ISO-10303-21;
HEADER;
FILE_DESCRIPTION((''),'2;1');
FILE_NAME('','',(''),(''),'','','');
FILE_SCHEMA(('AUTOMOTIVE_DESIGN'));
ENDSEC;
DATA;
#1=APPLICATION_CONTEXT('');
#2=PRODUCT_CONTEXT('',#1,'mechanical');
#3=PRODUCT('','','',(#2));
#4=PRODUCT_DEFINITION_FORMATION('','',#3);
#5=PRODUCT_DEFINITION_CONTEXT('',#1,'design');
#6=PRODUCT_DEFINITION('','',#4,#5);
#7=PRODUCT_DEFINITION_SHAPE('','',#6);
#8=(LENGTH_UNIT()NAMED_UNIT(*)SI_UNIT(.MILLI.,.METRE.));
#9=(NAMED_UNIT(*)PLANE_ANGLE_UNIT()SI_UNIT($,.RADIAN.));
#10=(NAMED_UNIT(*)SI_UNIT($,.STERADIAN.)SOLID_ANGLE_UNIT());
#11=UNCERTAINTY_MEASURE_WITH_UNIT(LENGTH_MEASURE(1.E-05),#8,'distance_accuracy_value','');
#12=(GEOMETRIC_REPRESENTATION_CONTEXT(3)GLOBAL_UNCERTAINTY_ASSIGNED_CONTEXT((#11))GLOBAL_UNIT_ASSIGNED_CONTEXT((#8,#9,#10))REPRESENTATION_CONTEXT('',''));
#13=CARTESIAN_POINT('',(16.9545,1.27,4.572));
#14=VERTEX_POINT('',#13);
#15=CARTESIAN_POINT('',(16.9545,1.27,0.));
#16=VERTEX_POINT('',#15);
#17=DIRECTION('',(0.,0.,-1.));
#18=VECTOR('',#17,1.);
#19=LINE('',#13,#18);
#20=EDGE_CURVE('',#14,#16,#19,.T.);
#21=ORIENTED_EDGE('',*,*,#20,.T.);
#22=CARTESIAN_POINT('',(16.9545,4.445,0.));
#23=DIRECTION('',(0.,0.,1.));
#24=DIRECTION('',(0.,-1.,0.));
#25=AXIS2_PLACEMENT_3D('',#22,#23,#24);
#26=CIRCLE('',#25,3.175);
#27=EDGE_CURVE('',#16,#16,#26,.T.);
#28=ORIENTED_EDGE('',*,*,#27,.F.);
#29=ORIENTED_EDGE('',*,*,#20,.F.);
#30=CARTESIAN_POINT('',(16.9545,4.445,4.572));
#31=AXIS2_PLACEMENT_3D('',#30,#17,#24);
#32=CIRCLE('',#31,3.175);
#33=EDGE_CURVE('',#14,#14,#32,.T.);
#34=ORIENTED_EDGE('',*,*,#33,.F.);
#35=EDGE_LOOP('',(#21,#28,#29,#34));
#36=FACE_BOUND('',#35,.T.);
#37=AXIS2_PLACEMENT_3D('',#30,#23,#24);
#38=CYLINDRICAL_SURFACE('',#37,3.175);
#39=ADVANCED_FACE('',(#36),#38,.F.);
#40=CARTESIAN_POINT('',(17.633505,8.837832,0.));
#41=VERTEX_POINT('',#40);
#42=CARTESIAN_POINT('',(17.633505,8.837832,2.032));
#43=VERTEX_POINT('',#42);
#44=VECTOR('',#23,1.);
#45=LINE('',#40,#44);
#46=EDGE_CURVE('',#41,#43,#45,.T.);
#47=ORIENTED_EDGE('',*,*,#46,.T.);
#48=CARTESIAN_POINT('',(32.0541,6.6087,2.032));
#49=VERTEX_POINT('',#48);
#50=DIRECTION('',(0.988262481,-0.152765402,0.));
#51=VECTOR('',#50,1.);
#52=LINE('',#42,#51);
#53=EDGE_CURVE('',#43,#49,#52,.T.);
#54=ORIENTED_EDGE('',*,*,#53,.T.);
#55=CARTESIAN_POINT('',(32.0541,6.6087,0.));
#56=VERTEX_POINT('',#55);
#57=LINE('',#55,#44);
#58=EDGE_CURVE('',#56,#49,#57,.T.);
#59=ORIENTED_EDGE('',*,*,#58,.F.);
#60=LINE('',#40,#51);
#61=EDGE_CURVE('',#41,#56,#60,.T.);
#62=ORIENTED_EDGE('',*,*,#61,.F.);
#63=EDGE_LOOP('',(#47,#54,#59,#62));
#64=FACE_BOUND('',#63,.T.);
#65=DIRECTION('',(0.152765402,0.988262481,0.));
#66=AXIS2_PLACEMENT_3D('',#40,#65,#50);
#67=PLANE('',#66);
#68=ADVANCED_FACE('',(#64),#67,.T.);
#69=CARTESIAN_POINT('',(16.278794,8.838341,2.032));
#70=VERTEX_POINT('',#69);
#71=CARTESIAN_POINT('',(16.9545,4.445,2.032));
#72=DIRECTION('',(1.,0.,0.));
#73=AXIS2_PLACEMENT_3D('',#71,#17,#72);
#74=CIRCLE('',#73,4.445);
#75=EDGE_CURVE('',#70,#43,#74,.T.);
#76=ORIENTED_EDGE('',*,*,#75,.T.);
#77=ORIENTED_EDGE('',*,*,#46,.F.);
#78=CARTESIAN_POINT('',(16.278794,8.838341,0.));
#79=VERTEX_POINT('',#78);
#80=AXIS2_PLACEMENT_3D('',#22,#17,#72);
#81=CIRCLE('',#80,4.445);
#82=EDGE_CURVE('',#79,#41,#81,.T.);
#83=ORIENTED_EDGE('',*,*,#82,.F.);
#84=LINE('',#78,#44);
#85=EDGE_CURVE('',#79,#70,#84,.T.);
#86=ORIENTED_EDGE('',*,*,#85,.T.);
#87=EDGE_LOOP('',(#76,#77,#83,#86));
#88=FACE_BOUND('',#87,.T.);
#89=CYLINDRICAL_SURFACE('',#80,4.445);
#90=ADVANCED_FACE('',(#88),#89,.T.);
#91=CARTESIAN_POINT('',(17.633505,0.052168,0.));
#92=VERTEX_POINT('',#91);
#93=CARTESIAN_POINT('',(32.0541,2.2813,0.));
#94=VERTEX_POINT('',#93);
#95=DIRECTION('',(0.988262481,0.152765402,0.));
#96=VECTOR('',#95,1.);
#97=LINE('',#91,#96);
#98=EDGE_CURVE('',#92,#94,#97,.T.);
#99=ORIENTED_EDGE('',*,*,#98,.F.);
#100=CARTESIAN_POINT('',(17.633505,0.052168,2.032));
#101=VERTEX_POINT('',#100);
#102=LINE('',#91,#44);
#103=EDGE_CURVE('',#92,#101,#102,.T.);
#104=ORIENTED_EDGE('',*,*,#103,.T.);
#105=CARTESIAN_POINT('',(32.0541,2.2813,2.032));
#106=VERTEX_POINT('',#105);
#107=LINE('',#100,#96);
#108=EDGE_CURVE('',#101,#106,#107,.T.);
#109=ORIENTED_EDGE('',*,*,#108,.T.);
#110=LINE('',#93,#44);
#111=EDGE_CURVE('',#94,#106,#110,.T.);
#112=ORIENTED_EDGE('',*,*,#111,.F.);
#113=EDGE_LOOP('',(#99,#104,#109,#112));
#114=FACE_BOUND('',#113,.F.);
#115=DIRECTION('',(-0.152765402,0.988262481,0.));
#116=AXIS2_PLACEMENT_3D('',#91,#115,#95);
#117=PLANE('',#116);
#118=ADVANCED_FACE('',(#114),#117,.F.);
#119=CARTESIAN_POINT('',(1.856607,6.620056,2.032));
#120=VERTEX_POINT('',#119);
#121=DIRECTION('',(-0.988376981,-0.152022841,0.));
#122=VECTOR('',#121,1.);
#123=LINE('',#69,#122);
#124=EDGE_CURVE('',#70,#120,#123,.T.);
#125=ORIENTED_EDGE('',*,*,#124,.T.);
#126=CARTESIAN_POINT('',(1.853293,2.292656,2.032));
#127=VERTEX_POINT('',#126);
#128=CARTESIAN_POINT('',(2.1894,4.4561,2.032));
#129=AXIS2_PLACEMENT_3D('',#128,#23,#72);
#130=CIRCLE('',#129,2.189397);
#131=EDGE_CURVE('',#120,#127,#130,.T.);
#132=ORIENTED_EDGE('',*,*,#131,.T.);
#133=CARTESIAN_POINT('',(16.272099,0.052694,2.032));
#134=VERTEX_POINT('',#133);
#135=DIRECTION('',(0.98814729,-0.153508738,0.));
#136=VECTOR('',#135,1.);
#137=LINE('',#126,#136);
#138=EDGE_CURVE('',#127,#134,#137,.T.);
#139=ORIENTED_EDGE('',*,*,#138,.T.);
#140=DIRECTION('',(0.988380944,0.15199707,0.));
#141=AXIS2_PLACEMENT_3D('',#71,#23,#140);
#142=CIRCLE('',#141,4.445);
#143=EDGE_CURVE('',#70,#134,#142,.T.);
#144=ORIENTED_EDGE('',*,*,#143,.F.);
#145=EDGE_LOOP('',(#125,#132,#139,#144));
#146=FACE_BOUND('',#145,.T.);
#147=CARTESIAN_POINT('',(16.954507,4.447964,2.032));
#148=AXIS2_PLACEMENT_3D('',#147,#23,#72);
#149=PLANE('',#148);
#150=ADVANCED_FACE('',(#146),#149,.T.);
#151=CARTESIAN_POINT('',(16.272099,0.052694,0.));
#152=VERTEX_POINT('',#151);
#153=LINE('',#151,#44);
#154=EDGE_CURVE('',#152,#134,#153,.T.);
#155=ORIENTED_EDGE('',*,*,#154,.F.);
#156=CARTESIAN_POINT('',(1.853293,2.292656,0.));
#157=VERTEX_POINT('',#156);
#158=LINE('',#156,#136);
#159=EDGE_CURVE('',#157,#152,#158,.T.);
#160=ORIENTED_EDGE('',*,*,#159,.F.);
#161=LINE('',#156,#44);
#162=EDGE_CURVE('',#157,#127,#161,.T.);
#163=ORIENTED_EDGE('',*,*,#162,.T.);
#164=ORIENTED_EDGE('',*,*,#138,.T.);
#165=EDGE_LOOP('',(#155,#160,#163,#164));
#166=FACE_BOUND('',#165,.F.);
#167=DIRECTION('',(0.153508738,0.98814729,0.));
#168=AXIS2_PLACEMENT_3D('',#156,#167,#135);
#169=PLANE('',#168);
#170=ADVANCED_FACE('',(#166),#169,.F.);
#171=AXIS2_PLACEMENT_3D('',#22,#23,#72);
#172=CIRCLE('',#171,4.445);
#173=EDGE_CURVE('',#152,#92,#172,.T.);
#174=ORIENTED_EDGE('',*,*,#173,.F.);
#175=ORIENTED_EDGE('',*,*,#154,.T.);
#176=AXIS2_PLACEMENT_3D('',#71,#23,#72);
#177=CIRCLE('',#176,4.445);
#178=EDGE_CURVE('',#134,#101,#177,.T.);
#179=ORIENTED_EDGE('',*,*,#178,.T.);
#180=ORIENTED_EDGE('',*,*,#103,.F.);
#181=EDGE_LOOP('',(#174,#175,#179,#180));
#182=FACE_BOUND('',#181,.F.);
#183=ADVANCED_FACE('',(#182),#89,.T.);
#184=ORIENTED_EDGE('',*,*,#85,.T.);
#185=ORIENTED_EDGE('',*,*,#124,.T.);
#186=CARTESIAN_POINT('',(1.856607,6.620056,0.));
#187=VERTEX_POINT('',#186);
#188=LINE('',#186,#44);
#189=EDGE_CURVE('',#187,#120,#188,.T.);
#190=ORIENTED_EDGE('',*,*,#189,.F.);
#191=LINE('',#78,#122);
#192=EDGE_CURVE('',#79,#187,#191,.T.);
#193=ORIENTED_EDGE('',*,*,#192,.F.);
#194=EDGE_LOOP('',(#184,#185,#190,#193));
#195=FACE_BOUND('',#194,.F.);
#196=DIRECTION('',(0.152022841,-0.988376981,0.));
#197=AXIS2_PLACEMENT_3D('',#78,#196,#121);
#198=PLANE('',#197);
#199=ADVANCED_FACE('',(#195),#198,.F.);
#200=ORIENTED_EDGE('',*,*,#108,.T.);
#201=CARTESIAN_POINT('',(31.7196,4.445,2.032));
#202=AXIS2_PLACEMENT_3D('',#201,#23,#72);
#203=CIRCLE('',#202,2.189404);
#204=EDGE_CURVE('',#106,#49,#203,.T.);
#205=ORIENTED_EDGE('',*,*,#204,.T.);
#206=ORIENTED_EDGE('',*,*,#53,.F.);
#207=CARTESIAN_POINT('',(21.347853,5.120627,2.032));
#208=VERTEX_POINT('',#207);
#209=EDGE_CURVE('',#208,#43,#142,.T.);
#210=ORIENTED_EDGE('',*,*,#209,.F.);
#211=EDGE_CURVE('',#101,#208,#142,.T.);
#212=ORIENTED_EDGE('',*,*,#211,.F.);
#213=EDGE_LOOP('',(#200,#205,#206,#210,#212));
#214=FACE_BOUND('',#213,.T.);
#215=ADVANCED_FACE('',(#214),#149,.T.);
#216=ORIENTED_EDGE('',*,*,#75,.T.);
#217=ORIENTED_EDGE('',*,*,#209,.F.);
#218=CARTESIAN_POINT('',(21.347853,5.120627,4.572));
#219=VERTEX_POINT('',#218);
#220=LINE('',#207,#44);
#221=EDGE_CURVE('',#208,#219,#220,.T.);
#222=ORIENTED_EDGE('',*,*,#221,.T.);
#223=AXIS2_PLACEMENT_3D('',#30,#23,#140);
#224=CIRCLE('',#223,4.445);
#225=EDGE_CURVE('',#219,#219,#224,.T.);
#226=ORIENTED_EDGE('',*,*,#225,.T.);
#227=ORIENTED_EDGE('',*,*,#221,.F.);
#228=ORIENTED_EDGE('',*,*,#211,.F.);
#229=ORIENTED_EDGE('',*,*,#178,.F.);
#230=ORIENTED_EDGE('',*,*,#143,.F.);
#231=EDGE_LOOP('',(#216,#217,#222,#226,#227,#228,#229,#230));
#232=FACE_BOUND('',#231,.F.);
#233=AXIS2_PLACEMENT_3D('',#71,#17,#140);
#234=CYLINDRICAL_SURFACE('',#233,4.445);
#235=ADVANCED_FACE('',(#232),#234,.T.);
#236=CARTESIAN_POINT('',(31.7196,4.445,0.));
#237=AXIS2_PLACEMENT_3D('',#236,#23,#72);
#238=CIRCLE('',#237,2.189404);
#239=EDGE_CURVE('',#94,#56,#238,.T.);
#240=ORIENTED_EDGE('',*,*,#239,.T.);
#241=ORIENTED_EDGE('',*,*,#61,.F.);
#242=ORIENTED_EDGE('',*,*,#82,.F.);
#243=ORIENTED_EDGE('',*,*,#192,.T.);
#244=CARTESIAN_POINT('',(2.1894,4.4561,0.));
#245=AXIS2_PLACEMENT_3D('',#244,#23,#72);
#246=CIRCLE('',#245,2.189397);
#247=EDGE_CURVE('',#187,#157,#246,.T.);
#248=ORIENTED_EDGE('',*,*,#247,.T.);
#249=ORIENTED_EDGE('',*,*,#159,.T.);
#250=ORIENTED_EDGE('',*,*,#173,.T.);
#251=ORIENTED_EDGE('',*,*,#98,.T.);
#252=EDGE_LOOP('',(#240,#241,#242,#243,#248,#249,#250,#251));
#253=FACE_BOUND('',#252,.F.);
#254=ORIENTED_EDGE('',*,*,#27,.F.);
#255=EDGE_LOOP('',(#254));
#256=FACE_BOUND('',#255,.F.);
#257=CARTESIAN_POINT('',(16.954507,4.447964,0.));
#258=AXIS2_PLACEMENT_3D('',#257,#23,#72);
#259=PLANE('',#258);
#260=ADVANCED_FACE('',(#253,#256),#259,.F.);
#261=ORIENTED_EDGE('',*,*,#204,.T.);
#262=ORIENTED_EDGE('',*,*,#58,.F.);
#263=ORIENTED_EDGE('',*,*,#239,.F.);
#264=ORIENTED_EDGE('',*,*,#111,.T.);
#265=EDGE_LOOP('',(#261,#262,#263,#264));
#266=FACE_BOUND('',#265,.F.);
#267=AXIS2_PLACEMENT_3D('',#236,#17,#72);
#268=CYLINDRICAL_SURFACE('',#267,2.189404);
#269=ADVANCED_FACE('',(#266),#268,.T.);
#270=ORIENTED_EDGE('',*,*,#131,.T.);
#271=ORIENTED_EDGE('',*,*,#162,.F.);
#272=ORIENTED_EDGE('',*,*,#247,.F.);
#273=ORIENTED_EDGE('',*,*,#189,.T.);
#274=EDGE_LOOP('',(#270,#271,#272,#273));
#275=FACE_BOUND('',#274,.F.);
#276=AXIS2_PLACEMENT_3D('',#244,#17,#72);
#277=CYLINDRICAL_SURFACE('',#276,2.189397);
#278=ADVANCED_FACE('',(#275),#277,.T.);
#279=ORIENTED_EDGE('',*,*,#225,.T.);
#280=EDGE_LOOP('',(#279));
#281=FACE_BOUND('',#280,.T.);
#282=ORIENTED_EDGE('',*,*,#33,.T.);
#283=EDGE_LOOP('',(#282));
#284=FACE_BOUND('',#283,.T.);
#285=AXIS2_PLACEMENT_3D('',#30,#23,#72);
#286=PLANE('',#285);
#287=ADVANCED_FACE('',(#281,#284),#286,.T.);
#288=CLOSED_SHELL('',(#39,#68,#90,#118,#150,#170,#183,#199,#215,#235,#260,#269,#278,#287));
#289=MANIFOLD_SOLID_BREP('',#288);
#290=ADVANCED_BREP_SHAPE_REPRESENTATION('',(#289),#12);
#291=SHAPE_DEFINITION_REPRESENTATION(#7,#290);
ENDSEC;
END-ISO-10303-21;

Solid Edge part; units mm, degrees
sketch "Sketch1" plane through (0, 0, 0) normal (0, 0, 1) x (1, 0, 0)
  line L0 (16.2788, 8.8383) -> (1.8566, 6.6201)
  line L1 (1.8533, 2.2927) -> (16.2721, 0.0527)
  line L2 (17.6335, 0.0522) -> (32.0541, 2.2813)
  line L3 (17.6335, 8.8378) -> (32.0541, 6.6087)
  arc A0 (16.2788, 8.8383) -> (17.6335, 8.8378) centre (16.9545, 4.445) cw
  arc A1 (1.8566, 6.6201) -> (1.8533, 2.2927) centre (2.1894, 4.4561) ccw
  arc A2 (16.2721, 0.0527) -> (17.6335, 0.0522) centre (16.9545, 4.445) ccw
  arc A3 (32.0541, 2.2813) -> (32.0541, 6.6087) centre (31.7196, 4.445) ccw
  dimension "D1" = 8.89
  dimension "D2" = 33.909
extrude "Protrusion1" add sketch "Sketch1" along normal blind 2.032
sketch "Sketch2" plane through (16.9545, 4.445, 2.032) normal (0, 0, 1) x (0.9884, 0.152, 0)
  circle A0 centre (0, 0) radius 4.445
extrude "ExtrudedProtrusion_2" add sketch "Sketch2" along normal blind 2.54
hole "Hole_1" at (16.9545, 4.445, 4.572) direction (0, 0, -1) diameter 6.35 end up to next
properties part number "HARDWARE"
